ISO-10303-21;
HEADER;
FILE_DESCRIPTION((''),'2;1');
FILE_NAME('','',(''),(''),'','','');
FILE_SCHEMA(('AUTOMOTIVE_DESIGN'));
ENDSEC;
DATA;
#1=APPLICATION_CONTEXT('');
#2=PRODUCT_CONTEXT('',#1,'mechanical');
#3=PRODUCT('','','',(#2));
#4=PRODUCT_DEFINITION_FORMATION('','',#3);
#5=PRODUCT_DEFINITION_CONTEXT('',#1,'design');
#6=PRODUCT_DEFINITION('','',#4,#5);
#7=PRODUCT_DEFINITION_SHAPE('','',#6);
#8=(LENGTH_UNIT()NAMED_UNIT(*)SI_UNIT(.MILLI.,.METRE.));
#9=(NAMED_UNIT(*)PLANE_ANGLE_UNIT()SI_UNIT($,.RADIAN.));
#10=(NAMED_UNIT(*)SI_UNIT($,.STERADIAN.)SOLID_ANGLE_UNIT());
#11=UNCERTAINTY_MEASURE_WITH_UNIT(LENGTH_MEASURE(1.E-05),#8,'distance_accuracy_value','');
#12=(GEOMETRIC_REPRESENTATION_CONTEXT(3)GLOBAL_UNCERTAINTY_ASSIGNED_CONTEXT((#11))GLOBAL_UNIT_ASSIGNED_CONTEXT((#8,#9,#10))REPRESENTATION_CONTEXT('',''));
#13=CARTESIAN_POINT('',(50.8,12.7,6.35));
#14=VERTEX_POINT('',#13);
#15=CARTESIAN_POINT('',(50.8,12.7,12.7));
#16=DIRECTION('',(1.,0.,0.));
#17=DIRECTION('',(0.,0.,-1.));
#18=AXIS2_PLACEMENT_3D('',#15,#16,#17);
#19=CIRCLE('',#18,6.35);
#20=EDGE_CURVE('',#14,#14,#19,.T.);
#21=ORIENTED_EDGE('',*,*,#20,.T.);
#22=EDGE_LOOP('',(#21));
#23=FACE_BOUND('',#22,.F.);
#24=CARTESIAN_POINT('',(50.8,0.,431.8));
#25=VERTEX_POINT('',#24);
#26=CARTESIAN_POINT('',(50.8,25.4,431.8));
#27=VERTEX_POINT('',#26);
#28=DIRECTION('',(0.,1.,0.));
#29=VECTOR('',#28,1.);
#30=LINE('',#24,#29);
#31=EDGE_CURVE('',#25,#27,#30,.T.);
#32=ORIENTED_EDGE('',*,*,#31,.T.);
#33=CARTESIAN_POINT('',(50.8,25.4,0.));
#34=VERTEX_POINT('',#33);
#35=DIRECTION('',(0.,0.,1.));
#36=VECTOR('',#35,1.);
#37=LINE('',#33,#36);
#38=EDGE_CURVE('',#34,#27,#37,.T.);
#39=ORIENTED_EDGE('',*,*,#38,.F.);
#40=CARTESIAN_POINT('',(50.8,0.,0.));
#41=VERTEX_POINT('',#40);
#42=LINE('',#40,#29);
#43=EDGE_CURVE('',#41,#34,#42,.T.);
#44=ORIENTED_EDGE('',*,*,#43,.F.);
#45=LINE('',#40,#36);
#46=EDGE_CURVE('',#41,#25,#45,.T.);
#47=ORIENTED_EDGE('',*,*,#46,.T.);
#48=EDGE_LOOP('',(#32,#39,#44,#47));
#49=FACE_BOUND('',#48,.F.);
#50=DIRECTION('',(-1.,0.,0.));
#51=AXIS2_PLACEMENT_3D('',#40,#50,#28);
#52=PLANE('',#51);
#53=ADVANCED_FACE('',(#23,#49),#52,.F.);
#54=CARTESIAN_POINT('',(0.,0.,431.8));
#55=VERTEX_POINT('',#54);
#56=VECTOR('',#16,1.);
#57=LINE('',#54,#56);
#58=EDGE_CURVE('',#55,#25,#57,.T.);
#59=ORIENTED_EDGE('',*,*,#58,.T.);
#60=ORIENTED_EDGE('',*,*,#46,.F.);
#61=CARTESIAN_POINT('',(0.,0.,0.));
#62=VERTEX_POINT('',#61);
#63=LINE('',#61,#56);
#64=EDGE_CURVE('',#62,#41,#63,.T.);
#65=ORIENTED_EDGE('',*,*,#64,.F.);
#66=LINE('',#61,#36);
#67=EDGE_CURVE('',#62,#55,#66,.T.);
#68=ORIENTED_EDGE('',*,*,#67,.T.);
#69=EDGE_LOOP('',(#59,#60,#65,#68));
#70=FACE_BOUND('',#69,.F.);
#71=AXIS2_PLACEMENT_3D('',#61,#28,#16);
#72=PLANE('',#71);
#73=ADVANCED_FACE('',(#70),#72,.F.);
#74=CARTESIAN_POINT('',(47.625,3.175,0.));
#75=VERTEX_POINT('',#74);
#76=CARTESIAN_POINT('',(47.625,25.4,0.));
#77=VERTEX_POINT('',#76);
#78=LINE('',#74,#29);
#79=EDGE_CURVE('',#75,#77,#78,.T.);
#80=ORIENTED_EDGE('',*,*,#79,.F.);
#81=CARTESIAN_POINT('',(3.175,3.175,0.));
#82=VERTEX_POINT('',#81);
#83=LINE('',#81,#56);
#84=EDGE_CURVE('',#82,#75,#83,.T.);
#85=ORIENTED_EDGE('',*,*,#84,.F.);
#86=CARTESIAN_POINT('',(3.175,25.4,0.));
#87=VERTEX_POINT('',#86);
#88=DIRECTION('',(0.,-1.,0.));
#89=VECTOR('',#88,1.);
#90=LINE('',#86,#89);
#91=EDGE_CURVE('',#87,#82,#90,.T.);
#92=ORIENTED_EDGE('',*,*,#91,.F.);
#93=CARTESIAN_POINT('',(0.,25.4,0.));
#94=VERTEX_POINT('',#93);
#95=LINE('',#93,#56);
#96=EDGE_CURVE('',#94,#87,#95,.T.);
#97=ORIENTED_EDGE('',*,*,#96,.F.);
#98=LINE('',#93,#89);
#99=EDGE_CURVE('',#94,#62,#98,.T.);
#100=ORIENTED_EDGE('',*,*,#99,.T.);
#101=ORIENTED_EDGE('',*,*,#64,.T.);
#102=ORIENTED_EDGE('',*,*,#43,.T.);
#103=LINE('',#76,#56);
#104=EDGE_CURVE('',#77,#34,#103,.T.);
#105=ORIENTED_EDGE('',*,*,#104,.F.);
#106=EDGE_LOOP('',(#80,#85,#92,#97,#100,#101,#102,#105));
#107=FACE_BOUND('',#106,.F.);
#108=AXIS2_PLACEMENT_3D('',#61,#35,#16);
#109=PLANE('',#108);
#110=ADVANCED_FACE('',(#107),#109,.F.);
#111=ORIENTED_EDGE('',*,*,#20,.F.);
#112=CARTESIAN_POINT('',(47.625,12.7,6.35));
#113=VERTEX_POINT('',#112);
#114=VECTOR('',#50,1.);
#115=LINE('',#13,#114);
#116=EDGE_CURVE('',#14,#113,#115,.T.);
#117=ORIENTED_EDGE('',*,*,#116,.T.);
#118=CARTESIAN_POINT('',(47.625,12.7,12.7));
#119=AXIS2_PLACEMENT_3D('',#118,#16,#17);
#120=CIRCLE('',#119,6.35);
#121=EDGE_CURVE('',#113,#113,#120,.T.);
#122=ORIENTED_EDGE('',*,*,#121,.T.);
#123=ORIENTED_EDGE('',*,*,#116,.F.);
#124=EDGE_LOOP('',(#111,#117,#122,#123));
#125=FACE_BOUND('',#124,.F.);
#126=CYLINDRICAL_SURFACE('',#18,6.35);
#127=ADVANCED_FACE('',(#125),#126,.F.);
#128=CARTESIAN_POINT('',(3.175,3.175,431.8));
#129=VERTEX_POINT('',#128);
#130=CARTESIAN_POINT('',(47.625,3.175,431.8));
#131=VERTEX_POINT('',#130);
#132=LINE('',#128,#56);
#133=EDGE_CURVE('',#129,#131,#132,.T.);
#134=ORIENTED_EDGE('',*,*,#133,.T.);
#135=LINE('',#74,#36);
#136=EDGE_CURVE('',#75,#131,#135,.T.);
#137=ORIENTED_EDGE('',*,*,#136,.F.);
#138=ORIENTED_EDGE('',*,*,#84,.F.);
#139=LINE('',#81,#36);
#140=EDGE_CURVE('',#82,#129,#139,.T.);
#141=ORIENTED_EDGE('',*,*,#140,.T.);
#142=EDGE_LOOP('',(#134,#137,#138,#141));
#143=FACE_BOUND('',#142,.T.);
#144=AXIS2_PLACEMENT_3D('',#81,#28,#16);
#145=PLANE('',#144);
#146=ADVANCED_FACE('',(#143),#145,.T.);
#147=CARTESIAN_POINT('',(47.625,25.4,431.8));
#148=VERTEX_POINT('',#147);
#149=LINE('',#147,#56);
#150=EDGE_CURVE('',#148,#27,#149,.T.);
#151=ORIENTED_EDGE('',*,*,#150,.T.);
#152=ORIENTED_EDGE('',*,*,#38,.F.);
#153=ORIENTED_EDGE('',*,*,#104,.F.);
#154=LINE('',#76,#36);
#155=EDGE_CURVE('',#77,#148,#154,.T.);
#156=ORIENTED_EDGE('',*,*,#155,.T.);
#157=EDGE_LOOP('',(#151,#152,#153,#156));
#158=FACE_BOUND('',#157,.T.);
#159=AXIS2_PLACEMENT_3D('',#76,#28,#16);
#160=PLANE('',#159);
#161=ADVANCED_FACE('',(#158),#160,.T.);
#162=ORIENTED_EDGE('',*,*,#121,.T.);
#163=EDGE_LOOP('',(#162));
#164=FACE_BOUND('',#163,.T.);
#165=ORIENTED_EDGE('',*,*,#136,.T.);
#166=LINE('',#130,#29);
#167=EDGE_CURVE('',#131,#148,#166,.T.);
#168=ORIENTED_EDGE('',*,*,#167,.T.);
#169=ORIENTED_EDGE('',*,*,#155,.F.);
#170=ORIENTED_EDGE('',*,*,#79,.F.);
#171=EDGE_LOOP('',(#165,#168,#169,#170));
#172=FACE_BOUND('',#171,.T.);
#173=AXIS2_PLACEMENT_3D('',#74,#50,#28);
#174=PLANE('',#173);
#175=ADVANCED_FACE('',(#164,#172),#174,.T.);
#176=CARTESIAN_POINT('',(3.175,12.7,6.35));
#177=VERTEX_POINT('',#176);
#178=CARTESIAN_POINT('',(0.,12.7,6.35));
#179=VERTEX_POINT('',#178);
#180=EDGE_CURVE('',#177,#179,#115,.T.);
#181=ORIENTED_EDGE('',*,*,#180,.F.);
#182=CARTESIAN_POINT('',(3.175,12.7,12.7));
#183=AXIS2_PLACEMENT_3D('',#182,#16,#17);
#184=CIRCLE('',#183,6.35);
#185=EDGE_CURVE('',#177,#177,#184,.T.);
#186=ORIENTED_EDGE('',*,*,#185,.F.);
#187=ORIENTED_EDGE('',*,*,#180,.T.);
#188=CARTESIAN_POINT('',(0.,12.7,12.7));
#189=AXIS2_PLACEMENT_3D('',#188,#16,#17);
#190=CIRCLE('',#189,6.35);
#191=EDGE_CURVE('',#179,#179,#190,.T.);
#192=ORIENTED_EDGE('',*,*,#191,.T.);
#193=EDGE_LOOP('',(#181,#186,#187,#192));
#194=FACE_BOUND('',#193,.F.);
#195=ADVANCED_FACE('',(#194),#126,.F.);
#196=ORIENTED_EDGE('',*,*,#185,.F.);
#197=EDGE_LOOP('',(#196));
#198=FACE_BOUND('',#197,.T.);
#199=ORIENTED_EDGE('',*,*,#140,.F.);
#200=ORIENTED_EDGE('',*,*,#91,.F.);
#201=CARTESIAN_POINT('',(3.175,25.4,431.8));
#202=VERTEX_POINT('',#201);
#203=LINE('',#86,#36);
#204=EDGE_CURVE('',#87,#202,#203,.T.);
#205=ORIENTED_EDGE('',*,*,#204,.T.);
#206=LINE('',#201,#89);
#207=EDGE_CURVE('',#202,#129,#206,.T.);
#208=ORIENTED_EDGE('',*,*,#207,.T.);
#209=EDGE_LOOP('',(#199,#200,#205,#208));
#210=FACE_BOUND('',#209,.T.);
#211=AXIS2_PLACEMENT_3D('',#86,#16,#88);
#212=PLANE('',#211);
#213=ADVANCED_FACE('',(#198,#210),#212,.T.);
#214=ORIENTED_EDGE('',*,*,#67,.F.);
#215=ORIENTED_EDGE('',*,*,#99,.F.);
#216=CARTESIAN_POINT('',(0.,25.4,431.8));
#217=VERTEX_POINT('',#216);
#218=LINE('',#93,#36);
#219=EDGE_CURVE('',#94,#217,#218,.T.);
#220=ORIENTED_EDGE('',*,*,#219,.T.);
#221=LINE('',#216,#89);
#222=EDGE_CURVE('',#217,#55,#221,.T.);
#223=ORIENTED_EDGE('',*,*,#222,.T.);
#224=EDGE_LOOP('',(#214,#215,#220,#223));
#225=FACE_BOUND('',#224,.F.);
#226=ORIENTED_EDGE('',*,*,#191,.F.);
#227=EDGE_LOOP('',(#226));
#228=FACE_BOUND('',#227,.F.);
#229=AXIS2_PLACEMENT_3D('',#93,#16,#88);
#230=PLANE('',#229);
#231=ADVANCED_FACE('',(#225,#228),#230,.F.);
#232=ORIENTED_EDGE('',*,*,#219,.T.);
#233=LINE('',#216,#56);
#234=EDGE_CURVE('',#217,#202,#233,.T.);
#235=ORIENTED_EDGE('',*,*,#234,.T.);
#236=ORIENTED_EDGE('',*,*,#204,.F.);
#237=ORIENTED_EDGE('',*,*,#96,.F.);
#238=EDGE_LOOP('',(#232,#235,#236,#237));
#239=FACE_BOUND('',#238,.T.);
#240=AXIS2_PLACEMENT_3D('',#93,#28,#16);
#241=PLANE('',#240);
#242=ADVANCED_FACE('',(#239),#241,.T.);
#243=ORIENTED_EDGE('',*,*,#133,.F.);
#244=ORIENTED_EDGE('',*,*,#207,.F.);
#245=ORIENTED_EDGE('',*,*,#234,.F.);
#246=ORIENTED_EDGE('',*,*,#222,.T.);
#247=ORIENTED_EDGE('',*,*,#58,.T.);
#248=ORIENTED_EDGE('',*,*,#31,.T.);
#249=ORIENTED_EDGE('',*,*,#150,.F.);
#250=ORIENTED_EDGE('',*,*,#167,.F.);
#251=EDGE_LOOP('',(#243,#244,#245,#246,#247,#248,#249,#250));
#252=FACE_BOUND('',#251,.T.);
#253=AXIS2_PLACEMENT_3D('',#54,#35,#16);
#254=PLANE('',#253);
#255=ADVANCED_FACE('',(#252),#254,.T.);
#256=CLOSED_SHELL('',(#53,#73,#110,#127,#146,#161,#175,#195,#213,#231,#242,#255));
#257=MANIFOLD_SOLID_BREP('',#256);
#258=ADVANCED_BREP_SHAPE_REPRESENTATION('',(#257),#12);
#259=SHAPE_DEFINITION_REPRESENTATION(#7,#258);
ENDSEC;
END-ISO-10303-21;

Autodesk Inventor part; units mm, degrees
ref_plane "YZ Plane" through (0, 0, 0) normal (1, 0, 0) x (0, 1, 0)
ref_plane "XZ Plane" through (0, 0, 0) normal (0, 1, 0) x (-1, 0, 0)
ref_plane "XY Plane" through (0, 0, 0) normal (0, 0, 1) x (1, 0, 0)
sketch "Sketch1" plane through (0, 0, 0) normal (0, 0, 1) x (1, 0, 0)
  line L0 (0, 0) -> (50.8, 0)
  line L1 (50.8, 0) -> (50.8, 25.4)
  line L2 (0, 25.4) -> (0, 0)
  line L3 (3.175, 3.175) -> (47.625, 3.175)
  line L4 (47.625, 3.175) -> (47.625, 25.4)
  line L5 (3.175, 25.4) -> (3.175, 3.175)
  line L6 (0, 25.4) -> (3.175, 25.4)
  line L7 (47.625, 25.4) -> (50.8, 25.4)
  dimension "d0" = 50.8
  dimension "d1" = 25.4
  dimension "d2" = 3.175
  dimension "d3" = 3.175
  dimension "d5" = 3.175
extrude "Extrusion1" add sketch "Sketch1" along normal blind 431.8
sketch "Sketch2" plane through (50.8, 0, 0) normal (1, 0, 0) x (0, 0, -1)
  line L0 (0, 0) -> (0, 25.4) projected
  line L1 (0, 25.4) -> (-431.8, 25.4) projected
  circle A0 centre (-12.7, 12.7) radius 6.35
  dimension "d8" = 12.7
  dimension "d9" = 12.7
  dimension "d10" = 12.7
extrude "Extrusion2" cut sketch "Sketch2" against normal blind 431.8
equation "\"d2\" = d5"
equation "\"d5\" = d4"
equation "\"d4\" = d3"
properties part number "shooter U frame"
